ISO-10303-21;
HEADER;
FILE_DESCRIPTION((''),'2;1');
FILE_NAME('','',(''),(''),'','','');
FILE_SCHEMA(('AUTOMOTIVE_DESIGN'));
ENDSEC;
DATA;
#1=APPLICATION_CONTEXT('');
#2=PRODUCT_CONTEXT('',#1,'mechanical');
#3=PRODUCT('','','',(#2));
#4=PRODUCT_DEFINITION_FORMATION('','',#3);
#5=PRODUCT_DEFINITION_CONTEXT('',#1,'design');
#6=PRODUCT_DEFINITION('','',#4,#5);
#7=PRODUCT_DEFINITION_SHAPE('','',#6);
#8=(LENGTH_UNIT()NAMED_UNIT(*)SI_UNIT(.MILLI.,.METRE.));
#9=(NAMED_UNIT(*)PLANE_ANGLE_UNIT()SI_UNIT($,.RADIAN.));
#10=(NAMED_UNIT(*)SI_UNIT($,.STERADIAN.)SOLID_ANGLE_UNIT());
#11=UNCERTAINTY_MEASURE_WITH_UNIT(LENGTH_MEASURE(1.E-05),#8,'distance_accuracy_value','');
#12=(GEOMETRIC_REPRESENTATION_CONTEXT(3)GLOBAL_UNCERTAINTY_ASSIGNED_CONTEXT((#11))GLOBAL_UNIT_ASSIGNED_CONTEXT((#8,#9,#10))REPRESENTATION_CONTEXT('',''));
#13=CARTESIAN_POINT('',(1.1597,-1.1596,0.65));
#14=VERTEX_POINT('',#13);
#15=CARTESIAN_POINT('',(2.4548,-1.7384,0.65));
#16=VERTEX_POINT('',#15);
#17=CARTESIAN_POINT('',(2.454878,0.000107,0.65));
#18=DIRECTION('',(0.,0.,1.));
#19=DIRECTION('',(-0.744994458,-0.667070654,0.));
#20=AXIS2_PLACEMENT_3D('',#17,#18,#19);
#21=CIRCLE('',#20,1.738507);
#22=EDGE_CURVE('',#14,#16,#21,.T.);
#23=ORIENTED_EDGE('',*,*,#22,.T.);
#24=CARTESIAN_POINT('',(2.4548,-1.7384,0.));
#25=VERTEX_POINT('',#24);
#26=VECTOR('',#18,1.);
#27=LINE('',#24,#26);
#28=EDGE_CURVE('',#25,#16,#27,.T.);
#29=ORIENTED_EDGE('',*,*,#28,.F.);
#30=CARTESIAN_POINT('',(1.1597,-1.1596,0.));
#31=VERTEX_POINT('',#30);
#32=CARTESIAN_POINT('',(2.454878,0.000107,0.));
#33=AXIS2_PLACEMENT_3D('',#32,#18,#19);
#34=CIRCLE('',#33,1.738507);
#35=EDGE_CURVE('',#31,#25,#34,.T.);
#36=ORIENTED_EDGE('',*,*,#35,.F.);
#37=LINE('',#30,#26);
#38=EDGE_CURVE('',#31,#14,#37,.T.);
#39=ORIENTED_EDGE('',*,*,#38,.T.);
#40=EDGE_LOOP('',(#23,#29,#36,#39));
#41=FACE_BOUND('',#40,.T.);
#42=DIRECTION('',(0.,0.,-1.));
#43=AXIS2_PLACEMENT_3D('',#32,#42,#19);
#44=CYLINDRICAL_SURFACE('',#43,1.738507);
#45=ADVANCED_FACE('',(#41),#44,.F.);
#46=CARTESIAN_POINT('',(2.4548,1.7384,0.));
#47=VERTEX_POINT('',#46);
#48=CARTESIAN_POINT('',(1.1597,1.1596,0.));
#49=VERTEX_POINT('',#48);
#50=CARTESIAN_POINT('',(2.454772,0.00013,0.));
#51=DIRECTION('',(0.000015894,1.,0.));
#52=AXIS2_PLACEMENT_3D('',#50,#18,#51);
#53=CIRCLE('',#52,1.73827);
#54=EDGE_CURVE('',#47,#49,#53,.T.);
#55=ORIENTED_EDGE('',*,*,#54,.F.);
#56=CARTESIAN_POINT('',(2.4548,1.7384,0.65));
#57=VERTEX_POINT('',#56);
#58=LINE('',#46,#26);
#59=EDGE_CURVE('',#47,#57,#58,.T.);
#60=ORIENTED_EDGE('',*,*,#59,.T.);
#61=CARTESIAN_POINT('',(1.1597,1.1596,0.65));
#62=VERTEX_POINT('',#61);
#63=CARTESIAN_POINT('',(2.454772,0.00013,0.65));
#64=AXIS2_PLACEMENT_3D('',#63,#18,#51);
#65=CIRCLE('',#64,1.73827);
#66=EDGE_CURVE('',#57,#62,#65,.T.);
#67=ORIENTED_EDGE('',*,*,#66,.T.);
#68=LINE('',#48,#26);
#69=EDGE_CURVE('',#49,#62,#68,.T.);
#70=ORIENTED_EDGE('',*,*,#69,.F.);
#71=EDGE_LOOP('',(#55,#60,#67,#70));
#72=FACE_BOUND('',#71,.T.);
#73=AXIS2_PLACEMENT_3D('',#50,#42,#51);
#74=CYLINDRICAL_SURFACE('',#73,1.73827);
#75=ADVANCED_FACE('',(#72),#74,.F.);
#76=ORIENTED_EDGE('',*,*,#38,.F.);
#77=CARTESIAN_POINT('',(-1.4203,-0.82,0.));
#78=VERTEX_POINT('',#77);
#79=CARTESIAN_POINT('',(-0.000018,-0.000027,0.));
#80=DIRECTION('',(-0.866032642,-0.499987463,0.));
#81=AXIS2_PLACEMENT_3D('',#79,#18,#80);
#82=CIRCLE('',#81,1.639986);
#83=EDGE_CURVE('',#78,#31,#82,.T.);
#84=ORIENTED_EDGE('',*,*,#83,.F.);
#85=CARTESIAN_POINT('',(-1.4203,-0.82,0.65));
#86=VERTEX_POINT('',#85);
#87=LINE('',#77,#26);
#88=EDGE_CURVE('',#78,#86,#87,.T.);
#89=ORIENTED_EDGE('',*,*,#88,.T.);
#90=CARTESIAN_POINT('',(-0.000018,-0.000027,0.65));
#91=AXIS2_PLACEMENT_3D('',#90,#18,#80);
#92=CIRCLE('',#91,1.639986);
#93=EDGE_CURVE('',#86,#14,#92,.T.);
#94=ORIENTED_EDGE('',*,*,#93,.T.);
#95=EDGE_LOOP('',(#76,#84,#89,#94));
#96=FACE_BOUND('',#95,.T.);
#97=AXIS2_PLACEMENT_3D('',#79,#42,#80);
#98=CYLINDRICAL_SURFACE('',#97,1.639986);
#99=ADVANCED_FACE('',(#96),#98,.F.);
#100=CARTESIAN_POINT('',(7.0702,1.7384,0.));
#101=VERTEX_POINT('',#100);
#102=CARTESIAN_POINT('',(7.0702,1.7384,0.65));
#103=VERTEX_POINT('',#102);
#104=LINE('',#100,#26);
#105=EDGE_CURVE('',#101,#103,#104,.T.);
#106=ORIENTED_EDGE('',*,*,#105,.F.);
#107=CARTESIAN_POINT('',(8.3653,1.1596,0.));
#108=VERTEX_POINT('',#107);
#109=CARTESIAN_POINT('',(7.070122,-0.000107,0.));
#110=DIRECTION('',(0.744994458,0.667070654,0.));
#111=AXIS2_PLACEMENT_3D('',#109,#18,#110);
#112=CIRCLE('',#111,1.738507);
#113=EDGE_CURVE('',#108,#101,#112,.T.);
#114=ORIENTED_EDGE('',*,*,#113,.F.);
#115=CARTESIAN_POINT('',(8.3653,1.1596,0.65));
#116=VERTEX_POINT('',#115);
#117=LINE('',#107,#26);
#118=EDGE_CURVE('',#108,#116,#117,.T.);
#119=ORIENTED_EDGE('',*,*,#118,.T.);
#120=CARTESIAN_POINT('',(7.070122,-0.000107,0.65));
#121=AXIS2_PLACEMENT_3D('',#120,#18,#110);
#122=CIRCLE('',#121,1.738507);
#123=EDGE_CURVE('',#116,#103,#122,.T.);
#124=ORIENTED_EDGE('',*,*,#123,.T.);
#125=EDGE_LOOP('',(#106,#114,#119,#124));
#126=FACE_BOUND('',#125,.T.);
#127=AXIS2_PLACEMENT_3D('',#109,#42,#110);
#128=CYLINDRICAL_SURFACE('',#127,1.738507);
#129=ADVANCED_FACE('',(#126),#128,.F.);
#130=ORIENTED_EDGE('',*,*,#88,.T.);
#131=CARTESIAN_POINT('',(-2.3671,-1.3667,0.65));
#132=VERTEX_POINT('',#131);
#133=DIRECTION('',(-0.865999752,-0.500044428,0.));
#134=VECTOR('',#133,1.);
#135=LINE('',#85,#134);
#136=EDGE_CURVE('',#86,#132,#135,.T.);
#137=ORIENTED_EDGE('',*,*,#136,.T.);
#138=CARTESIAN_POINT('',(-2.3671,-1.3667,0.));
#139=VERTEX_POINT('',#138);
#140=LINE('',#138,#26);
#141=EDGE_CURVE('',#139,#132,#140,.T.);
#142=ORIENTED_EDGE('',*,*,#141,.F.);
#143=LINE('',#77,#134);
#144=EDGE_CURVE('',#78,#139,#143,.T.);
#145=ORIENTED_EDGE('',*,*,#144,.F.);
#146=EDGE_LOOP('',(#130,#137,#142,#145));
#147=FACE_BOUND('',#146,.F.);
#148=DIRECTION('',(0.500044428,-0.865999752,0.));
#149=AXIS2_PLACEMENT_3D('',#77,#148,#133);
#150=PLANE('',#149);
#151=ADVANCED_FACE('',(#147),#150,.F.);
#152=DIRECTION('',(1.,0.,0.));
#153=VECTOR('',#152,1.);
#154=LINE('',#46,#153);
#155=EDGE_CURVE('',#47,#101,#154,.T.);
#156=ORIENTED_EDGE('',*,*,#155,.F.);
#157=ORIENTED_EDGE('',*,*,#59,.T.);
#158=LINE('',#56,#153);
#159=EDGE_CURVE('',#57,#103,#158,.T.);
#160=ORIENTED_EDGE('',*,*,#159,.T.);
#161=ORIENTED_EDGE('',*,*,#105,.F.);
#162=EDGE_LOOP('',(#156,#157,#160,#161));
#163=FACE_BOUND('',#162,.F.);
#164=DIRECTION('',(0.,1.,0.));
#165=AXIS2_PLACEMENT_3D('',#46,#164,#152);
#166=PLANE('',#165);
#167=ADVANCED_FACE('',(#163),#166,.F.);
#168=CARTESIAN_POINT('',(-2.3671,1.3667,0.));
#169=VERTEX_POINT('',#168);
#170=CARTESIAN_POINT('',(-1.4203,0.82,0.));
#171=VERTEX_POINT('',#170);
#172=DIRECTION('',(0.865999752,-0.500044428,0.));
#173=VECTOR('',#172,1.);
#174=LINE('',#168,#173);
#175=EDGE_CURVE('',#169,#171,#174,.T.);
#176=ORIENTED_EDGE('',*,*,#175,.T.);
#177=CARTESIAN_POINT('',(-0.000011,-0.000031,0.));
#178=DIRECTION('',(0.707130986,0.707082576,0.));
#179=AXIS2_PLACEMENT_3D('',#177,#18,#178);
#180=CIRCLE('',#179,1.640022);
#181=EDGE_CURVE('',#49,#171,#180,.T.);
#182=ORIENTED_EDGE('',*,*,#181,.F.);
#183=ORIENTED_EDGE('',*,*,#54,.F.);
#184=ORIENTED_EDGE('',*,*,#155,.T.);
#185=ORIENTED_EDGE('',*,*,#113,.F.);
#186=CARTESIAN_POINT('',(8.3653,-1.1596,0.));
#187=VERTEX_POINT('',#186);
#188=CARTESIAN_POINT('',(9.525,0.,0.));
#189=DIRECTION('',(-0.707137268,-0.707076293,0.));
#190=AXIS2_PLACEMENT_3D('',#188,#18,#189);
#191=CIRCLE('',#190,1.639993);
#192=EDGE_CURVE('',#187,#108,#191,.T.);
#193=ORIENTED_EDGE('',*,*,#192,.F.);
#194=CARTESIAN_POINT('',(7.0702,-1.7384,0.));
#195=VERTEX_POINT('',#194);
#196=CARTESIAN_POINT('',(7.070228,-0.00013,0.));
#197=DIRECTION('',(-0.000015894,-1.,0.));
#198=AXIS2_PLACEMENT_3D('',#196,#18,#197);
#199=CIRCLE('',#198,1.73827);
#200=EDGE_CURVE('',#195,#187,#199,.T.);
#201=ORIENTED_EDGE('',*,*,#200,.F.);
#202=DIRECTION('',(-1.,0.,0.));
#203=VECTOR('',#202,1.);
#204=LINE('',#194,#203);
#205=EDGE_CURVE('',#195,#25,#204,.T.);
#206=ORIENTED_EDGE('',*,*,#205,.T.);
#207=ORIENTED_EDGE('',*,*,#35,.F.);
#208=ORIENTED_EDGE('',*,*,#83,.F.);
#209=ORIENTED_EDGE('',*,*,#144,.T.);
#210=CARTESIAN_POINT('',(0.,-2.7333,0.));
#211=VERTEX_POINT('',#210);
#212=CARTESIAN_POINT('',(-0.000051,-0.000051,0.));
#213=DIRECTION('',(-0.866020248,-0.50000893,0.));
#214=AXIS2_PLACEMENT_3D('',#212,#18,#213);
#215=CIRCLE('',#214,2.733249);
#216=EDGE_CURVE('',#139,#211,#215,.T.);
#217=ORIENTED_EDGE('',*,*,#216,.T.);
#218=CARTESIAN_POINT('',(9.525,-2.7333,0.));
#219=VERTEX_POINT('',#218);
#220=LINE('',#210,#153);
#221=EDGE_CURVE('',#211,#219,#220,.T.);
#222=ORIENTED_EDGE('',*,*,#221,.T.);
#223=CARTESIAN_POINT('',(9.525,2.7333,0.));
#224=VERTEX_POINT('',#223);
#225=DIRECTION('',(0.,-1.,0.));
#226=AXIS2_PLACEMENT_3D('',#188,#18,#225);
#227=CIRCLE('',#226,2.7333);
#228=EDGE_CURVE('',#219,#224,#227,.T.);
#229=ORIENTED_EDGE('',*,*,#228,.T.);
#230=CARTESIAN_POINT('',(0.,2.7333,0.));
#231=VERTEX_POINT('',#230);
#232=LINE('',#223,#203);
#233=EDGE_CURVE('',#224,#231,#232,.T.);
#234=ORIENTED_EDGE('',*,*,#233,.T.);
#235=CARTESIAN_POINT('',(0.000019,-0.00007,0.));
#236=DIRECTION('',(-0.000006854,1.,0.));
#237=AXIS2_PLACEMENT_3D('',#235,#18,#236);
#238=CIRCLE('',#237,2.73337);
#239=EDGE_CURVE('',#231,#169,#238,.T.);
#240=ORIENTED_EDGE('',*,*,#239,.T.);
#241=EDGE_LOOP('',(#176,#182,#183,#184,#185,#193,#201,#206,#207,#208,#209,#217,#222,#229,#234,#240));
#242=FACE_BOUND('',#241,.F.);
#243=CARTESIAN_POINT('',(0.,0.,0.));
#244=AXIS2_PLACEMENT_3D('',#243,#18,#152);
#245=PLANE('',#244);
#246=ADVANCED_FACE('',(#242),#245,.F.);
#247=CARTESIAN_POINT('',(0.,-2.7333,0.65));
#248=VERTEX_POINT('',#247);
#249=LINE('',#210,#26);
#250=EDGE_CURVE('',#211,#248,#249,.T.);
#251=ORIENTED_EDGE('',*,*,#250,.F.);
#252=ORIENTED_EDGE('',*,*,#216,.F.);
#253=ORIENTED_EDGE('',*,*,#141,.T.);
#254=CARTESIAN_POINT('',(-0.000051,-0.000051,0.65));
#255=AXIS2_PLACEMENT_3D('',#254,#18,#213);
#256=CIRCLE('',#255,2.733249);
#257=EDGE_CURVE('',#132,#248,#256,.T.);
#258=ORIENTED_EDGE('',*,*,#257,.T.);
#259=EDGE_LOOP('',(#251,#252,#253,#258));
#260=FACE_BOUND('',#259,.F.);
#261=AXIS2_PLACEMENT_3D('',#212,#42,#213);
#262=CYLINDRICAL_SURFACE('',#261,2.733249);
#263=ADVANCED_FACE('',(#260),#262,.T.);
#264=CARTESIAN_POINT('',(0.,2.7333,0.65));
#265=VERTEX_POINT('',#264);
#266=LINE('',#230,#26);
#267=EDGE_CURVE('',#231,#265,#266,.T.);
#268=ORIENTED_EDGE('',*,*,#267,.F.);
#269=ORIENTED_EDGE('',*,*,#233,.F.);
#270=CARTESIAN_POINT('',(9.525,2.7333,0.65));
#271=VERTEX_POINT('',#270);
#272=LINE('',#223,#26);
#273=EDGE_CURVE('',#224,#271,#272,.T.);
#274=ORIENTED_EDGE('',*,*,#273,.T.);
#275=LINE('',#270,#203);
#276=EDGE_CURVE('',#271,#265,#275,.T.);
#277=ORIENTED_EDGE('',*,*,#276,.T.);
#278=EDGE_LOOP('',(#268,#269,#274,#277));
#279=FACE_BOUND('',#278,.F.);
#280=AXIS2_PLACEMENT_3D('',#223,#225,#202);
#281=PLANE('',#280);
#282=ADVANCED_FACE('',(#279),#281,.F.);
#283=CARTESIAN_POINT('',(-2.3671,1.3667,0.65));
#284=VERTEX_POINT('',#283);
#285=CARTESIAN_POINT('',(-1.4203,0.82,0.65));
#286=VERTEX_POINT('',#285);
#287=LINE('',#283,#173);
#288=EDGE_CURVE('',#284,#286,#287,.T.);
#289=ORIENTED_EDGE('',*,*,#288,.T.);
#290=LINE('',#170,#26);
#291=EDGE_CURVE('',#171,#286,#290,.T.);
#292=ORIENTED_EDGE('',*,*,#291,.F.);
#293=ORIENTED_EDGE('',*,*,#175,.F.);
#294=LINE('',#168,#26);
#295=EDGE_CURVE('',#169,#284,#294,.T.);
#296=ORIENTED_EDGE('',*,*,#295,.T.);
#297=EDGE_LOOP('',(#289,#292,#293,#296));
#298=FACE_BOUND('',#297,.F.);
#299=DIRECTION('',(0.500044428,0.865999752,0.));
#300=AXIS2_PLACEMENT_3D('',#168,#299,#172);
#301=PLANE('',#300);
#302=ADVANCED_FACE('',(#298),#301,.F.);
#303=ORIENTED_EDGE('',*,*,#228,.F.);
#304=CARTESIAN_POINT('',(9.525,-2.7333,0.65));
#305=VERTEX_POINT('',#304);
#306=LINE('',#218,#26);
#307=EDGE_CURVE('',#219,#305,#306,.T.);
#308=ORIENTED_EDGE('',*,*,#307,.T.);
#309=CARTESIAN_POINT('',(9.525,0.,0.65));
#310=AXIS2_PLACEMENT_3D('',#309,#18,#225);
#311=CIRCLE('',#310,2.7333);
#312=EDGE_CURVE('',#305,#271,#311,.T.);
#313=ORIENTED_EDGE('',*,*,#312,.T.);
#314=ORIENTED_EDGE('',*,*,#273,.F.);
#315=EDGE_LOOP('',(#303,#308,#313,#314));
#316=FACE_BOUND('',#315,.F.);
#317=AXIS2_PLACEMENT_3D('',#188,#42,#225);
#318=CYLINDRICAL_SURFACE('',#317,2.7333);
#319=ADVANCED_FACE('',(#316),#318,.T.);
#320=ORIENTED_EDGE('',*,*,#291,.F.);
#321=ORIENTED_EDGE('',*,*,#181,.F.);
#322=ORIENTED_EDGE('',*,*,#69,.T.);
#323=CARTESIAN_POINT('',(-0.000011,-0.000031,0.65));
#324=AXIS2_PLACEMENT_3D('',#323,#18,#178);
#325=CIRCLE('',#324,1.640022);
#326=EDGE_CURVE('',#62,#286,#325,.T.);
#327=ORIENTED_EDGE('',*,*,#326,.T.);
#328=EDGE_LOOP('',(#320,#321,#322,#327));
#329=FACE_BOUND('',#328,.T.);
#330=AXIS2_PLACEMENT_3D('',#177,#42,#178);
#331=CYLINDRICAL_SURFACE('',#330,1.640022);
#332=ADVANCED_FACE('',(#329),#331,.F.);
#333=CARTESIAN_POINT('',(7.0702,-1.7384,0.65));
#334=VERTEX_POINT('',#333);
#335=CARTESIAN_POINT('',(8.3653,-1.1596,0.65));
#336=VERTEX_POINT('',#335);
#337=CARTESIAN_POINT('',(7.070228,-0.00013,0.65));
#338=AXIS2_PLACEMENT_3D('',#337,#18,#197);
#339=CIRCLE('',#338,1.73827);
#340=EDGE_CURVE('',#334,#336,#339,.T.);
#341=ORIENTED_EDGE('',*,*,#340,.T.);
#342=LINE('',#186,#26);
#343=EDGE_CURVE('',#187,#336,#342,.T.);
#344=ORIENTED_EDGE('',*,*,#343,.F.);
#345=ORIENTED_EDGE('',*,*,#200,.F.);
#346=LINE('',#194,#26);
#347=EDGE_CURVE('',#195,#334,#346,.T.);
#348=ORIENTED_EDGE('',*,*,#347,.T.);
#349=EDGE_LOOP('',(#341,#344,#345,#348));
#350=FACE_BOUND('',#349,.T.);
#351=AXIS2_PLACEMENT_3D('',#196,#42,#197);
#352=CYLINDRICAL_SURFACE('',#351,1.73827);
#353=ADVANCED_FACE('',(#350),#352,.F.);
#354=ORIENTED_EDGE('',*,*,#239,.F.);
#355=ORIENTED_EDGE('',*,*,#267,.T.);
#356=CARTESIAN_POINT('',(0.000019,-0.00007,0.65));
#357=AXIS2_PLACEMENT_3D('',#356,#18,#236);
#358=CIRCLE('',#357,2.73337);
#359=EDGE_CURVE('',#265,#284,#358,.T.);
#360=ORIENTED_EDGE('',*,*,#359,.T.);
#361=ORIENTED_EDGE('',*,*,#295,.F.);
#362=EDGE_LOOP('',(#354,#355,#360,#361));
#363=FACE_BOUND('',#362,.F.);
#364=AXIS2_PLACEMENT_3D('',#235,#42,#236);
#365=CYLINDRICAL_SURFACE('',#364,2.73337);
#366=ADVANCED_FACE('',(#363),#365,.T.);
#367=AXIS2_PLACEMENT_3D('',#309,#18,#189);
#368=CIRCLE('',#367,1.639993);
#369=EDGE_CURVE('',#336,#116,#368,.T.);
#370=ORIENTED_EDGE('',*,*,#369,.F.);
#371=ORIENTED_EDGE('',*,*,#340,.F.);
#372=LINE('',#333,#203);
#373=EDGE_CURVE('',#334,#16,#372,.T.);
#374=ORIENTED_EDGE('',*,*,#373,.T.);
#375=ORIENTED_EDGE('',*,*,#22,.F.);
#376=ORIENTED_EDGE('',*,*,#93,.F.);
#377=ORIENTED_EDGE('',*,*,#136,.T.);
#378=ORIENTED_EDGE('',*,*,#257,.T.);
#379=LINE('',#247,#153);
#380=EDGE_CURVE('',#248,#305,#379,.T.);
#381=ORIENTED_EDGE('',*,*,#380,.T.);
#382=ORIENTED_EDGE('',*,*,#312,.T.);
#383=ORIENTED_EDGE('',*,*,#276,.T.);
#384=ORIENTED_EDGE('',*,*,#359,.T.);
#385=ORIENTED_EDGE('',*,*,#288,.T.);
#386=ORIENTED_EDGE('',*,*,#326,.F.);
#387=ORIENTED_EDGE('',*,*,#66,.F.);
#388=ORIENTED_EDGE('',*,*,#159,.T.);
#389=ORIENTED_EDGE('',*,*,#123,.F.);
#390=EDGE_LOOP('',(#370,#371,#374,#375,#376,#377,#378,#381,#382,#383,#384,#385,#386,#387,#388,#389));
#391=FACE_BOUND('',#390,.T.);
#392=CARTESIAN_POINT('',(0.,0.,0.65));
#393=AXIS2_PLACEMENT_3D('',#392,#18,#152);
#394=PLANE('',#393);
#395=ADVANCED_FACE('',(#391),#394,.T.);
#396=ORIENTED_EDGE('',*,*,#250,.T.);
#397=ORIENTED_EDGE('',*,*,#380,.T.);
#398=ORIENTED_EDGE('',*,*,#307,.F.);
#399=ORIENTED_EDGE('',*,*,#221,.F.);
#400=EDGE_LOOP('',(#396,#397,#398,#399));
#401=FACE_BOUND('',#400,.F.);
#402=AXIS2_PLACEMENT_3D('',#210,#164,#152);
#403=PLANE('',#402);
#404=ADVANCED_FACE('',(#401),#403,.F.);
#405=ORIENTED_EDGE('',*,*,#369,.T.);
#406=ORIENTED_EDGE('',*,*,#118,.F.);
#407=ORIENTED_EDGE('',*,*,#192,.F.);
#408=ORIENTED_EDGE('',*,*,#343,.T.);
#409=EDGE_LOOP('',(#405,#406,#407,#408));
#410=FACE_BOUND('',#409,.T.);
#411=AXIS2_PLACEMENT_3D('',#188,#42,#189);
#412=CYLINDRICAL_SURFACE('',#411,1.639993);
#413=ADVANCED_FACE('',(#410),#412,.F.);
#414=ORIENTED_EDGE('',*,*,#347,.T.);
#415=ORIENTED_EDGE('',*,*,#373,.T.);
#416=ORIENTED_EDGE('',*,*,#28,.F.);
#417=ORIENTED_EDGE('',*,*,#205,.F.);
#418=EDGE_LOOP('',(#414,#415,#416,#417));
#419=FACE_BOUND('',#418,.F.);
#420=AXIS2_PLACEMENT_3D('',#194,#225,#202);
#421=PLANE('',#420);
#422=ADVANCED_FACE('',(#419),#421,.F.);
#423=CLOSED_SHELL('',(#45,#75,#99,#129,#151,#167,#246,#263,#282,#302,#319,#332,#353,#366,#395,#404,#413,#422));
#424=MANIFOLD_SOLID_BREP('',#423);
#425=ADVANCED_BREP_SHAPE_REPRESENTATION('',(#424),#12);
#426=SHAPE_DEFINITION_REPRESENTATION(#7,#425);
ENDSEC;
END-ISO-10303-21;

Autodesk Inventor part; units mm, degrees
sketch "Sketch_1" plane through (0, 0, 0) normal (0, 0, 1) x (1, 0, 0)
  arc A0 (-2.3671, -1.3667) -> (0, -2.7333) centre (0, 0) ccw
  line L0 (0, -2.7333) -> (9.525, -2.7333)
  arc A1 (9.525, -2.7333) -> (9.525, 2.7333) centre (9.525, 0) ccw
  line L1 (9.525, 2.7333) -> (0, 2.7333)
  arc A2 (0, 2.7333) -> (-2.3671, 1.3667) centre (0, 0) ccw
  line L2 (-2.3671, 1.3667) -> (-1.4203, 0.82)
  arc A3 (1.1597, 1.1596) -> (-1.4203, 0.82) centre (0, 0) ccw
  arc A4 (2.4548, 1.7384) -> (1.1597, 1.1596) centre (2.4548, 0) ccw
  line L3 (2.4548, 1.7384) -> (7.0702, 1.7384)
  arc A5 (8.3653, 1.1596) -> (7.0702, 1.7384) centre (7.0702, 0) ccw
  arc A6 (8.3653, -1.1596) -> (8.3653, 1.1596) centre (9.525, 0) ccw
  arc A7 (7.0702, -1.7384) -> (8.3653, -1.1596) centre (7.0702, 0) ccw
  line L4 (7.0702, -1.7384) -> (2.4548, -1.7384)
  arc A8 (1.1597, -1.1596) -> (2.4548, -1.7384) centre (2.4548, 0) ccw
  arc A9 (-1.4203, -0.82) -> (1.1597, -1.1596) centre (0, 0) ccw
  line L5 (-1.4203, -0.82) -> (-2.3671, -1.3667)
extrude "Extrusion1" add sketch "Sketch_1" along normal blind 0.65
ref_plane "clip_XY" through (0, 0, 0) normal (0, 0, 1) x (1, 0, 0)
ref_plane "clip_YZ" through (0, 0, 0) normal (1, 0, 0) x (0, 1, 0)
ref_plane "clip_ZX" through (0, 0, 0) normal (0, 1, 0) x (0, 0, 1)
properties part number "06B - 1 RP - Clip"
